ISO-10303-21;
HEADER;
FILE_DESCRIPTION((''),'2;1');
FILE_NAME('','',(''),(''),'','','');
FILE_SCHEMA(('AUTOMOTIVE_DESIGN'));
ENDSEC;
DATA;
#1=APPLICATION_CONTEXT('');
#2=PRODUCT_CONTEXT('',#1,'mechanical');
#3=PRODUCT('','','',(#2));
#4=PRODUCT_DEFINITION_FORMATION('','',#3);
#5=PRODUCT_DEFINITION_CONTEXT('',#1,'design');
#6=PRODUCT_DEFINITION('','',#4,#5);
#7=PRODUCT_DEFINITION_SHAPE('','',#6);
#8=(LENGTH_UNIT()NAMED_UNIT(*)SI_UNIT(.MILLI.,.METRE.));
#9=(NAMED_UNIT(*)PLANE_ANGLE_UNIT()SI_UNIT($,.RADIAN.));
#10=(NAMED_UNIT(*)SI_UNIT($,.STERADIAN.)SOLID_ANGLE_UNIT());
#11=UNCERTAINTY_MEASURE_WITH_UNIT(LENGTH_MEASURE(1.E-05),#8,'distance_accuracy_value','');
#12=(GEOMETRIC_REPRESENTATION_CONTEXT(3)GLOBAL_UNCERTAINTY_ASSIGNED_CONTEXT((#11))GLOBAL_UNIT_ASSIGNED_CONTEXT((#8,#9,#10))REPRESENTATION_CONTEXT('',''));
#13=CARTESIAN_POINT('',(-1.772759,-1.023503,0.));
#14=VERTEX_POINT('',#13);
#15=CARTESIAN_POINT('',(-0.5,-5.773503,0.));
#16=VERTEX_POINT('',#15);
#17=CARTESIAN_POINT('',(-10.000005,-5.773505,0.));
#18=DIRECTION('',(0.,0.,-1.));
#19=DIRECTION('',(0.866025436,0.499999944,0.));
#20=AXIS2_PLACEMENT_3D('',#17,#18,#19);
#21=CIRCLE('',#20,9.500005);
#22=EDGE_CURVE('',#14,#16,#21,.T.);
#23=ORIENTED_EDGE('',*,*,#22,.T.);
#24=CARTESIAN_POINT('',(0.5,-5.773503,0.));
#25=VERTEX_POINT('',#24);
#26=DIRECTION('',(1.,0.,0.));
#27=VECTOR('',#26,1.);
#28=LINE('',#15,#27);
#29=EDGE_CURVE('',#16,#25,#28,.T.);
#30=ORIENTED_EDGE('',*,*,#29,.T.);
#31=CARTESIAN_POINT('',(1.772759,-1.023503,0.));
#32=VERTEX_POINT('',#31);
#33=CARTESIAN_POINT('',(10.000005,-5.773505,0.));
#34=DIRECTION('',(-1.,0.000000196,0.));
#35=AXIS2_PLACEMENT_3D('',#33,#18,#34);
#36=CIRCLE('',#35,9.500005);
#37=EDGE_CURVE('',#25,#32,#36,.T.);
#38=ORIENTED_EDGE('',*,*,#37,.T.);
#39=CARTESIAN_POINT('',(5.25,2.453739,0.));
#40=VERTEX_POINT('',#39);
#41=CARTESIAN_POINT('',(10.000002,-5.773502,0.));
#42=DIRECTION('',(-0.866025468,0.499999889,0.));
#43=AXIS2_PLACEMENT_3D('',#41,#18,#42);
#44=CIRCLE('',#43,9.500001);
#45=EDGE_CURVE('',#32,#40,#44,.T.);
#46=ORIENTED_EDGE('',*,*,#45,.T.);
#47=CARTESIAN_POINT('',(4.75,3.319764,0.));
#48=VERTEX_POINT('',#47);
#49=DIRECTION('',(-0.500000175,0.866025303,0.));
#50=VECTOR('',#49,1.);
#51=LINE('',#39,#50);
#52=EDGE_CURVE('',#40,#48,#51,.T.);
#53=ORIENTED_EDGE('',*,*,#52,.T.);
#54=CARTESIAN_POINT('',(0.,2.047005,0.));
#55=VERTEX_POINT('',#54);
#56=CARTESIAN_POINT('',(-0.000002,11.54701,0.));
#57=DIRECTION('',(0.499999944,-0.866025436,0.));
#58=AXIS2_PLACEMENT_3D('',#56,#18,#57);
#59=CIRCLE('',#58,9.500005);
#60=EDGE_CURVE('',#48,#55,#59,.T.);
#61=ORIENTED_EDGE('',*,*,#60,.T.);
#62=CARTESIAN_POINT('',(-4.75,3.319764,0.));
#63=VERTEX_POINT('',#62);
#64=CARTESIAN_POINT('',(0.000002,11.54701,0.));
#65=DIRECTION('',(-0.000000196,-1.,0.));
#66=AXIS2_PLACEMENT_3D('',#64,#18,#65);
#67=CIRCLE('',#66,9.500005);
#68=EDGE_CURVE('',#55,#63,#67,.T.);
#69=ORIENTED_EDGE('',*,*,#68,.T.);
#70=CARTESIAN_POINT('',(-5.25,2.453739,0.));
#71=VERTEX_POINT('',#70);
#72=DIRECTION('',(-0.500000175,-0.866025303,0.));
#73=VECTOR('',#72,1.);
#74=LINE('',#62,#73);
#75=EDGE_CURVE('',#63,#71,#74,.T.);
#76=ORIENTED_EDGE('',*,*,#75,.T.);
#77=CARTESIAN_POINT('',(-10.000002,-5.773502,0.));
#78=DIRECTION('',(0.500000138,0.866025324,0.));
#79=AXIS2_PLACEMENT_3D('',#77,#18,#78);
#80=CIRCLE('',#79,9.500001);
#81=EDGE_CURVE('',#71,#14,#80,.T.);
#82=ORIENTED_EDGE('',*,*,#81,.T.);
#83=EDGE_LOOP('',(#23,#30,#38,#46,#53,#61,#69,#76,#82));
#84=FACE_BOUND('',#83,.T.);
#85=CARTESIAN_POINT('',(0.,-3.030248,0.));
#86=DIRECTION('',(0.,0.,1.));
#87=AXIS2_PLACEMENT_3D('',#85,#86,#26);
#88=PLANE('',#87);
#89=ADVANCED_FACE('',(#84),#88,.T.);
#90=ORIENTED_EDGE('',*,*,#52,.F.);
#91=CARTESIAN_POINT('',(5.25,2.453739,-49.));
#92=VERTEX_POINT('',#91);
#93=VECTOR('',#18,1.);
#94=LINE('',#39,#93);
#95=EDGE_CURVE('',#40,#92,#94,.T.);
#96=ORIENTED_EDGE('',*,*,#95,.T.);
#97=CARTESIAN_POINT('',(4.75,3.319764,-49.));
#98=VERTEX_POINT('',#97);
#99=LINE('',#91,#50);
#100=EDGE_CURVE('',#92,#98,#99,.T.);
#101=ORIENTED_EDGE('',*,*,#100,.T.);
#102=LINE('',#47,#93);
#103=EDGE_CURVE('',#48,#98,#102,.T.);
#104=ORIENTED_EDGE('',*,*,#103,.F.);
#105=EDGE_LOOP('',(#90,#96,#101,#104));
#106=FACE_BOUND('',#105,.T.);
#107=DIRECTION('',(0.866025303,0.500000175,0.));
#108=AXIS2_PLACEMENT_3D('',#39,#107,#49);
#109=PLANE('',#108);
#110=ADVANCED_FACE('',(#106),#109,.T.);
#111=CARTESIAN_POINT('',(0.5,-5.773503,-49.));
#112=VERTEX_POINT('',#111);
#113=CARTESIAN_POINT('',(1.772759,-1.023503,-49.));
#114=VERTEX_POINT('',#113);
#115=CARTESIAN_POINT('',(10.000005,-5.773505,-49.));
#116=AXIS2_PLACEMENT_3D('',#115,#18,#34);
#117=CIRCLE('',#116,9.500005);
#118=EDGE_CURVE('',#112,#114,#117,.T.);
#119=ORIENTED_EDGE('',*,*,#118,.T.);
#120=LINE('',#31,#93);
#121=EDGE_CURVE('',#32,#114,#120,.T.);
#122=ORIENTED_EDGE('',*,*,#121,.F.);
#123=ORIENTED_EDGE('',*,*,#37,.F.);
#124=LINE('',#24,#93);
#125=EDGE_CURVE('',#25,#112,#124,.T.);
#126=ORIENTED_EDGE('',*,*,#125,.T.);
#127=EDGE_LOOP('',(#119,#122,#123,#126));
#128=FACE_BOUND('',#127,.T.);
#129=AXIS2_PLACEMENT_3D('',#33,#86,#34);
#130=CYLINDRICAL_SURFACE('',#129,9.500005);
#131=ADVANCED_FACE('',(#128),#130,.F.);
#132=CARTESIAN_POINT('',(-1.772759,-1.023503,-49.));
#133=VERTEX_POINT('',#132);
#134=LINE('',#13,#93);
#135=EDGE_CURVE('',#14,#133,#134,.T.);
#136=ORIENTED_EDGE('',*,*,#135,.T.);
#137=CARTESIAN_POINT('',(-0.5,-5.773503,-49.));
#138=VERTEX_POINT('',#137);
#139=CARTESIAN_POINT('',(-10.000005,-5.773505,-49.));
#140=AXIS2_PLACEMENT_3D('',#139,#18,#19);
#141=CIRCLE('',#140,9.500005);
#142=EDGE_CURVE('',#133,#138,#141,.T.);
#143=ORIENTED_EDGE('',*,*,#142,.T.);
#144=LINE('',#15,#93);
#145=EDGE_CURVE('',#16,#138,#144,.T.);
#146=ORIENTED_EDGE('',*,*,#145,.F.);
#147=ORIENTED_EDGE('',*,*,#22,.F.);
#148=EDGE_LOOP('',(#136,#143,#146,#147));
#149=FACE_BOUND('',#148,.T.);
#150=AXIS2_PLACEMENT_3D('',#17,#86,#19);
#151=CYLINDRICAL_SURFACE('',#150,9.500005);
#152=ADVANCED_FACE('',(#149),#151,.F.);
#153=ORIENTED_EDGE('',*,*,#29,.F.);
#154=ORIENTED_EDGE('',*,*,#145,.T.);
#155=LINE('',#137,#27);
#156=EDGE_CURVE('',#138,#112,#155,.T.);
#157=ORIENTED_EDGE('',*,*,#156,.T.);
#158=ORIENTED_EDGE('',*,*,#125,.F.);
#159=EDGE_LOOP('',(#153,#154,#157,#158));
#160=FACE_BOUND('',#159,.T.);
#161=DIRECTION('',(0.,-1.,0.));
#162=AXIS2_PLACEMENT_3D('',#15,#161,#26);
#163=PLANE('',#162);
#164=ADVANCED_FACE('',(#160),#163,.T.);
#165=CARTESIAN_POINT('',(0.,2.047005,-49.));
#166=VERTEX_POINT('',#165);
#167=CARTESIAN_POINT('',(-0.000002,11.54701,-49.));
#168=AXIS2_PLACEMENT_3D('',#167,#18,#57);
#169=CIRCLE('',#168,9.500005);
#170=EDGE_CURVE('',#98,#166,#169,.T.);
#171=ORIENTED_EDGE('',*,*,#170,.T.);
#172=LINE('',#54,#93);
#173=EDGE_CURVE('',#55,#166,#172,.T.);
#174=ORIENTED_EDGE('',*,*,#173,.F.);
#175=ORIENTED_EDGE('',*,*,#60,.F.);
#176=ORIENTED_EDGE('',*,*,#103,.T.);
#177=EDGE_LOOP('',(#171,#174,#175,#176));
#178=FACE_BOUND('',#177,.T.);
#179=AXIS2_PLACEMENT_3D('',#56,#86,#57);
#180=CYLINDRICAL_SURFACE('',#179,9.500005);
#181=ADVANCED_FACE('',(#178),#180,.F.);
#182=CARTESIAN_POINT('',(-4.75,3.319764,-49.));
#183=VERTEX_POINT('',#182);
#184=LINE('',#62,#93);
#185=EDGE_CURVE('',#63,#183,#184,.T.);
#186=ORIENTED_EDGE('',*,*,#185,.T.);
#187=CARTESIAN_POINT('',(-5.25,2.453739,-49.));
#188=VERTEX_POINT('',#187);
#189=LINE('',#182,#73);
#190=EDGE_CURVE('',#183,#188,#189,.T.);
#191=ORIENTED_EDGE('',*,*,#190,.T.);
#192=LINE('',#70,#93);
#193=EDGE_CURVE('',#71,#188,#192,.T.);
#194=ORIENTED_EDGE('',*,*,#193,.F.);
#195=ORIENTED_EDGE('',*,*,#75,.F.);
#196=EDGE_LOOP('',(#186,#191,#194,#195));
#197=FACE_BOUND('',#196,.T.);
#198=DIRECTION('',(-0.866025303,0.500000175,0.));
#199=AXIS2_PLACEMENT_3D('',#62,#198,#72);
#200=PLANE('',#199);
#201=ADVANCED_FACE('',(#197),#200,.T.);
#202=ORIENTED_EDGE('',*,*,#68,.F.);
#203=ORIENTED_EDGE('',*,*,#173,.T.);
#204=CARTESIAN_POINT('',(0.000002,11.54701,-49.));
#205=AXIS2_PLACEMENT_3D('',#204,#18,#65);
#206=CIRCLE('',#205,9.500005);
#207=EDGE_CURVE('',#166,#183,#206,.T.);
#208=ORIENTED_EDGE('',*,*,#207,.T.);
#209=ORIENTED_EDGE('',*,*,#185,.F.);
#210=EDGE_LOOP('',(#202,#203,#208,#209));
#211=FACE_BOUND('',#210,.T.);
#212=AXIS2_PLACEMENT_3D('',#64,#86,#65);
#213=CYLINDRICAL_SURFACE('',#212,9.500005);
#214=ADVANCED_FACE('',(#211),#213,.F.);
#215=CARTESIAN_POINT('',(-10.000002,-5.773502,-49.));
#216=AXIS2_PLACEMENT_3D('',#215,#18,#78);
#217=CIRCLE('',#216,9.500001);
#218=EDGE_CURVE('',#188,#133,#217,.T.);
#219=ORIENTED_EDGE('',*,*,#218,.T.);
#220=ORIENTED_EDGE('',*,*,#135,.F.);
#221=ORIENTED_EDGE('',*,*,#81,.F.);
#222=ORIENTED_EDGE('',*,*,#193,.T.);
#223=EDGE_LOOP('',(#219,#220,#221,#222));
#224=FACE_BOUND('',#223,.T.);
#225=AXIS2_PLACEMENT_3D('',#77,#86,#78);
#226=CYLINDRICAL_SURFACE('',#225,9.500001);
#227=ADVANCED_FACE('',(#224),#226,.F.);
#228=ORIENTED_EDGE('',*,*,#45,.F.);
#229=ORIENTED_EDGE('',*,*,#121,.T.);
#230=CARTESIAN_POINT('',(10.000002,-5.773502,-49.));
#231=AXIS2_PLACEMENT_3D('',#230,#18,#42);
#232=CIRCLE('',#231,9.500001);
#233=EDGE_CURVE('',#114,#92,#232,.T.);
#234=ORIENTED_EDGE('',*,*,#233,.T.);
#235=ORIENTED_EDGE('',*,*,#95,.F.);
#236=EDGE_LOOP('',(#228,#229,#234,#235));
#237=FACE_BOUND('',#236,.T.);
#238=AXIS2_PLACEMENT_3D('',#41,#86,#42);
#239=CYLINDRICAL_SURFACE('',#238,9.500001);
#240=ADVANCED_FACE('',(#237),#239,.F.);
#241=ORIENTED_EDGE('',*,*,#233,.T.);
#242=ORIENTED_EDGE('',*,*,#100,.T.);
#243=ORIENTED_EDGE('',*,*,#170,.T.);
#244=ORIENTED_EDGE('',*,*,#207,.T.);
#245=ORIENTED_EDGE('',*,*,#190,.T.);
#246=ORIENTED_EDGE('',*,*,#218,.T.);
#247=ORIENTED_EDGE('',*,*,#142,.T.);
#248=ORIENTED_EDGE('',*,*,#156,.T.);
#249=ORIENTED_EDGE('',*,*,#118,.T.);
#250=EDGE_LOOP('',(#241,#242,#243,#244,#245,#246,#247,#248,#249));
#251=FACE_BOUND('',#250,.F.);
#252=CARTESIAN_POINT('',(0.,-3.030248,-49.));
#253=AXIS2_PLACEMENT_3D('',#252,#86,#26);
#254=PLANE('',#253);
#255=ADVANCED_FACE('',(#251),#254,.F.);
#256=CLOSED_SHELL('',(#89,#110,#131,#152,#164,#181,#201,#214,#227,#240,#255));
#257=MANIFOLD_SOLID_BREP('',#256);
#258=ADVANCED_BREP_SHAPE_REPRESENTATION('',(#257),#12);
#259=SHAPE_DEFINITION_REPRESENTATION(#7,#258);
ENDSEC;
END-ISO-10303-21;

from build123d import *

# Parameters (mm, degrees)
F1_DEPTH = 49


with BuildPart() as f1:
    # F0 (on Top) → F1 (new body)
    with BuildSketch(Plane.XY):
        with BuildLine():
            ThreePointArc((-1.772759, -1.023503), (-0.823705, -3.314722), (-0.5, -5.773503))
            Line((-0.5, -5.773503), (0.5, -5.773503))
            ThreePointArc((0.5, -5.773503), (0.823705, -3.314722), (1.772759, -1.023503))
            ThreePointArc((1.772759, -1.023503), (0, -2.047005), (-1.772759, -1.023503))
        make_face()
        with BuildLine():
            Line((-4.75, 3.319764), (-5.25, 2.453739))
            ThreePointArc((-5.25, 2.453739), (-3.282486, 0.944012), (-1.772759, -1.023503))
            ThreePointArc((-1.772759, -1.023503), (-1.772759, 1.023503), (0, 2.047005))
            ThreePointArc((0, 2.047005), (-2.458781, 2.37071), (-4.75, 3.319764))
        make_face()
        with BuildLine():
            ThreePointArc((0, 2.047005), (-1.772759, 1.023503), (-1.772759, -1.023503))
            ThreePointArc((-1.772759, -1.023503), (0, -2.047005), (1.772759, -1.023503))
            ThreePointArc((1.772759, -1.023503), (1.977255, -0.529804), (2.047005, 0))
            ThreePointArc((2.047005, 0), (1.447451, 1.447451), (0, 2.047005))
        make_face()
        with BuildLine():
            ThreePointArc((4.75, 3.319764), (2.458781, 2.37071), (0, 2.047005))
            ThreePointArc((0, 2.047005), (1.447451, 1.447451), (2.047005, 0))
            ThreePointArc((2.047005, 0), (1.977255, -0.529804), (1.772759, -1.023503))
            ThreePointArc((1.772759, -1.023503), (3.282486, 0.944012), (5.25, 2.453739))
            Line((5.25, 2.453739), (4.75, 3.319764))
        make_face()
    extrude(amount=-F1_DEPTH)


solid = f1.part
